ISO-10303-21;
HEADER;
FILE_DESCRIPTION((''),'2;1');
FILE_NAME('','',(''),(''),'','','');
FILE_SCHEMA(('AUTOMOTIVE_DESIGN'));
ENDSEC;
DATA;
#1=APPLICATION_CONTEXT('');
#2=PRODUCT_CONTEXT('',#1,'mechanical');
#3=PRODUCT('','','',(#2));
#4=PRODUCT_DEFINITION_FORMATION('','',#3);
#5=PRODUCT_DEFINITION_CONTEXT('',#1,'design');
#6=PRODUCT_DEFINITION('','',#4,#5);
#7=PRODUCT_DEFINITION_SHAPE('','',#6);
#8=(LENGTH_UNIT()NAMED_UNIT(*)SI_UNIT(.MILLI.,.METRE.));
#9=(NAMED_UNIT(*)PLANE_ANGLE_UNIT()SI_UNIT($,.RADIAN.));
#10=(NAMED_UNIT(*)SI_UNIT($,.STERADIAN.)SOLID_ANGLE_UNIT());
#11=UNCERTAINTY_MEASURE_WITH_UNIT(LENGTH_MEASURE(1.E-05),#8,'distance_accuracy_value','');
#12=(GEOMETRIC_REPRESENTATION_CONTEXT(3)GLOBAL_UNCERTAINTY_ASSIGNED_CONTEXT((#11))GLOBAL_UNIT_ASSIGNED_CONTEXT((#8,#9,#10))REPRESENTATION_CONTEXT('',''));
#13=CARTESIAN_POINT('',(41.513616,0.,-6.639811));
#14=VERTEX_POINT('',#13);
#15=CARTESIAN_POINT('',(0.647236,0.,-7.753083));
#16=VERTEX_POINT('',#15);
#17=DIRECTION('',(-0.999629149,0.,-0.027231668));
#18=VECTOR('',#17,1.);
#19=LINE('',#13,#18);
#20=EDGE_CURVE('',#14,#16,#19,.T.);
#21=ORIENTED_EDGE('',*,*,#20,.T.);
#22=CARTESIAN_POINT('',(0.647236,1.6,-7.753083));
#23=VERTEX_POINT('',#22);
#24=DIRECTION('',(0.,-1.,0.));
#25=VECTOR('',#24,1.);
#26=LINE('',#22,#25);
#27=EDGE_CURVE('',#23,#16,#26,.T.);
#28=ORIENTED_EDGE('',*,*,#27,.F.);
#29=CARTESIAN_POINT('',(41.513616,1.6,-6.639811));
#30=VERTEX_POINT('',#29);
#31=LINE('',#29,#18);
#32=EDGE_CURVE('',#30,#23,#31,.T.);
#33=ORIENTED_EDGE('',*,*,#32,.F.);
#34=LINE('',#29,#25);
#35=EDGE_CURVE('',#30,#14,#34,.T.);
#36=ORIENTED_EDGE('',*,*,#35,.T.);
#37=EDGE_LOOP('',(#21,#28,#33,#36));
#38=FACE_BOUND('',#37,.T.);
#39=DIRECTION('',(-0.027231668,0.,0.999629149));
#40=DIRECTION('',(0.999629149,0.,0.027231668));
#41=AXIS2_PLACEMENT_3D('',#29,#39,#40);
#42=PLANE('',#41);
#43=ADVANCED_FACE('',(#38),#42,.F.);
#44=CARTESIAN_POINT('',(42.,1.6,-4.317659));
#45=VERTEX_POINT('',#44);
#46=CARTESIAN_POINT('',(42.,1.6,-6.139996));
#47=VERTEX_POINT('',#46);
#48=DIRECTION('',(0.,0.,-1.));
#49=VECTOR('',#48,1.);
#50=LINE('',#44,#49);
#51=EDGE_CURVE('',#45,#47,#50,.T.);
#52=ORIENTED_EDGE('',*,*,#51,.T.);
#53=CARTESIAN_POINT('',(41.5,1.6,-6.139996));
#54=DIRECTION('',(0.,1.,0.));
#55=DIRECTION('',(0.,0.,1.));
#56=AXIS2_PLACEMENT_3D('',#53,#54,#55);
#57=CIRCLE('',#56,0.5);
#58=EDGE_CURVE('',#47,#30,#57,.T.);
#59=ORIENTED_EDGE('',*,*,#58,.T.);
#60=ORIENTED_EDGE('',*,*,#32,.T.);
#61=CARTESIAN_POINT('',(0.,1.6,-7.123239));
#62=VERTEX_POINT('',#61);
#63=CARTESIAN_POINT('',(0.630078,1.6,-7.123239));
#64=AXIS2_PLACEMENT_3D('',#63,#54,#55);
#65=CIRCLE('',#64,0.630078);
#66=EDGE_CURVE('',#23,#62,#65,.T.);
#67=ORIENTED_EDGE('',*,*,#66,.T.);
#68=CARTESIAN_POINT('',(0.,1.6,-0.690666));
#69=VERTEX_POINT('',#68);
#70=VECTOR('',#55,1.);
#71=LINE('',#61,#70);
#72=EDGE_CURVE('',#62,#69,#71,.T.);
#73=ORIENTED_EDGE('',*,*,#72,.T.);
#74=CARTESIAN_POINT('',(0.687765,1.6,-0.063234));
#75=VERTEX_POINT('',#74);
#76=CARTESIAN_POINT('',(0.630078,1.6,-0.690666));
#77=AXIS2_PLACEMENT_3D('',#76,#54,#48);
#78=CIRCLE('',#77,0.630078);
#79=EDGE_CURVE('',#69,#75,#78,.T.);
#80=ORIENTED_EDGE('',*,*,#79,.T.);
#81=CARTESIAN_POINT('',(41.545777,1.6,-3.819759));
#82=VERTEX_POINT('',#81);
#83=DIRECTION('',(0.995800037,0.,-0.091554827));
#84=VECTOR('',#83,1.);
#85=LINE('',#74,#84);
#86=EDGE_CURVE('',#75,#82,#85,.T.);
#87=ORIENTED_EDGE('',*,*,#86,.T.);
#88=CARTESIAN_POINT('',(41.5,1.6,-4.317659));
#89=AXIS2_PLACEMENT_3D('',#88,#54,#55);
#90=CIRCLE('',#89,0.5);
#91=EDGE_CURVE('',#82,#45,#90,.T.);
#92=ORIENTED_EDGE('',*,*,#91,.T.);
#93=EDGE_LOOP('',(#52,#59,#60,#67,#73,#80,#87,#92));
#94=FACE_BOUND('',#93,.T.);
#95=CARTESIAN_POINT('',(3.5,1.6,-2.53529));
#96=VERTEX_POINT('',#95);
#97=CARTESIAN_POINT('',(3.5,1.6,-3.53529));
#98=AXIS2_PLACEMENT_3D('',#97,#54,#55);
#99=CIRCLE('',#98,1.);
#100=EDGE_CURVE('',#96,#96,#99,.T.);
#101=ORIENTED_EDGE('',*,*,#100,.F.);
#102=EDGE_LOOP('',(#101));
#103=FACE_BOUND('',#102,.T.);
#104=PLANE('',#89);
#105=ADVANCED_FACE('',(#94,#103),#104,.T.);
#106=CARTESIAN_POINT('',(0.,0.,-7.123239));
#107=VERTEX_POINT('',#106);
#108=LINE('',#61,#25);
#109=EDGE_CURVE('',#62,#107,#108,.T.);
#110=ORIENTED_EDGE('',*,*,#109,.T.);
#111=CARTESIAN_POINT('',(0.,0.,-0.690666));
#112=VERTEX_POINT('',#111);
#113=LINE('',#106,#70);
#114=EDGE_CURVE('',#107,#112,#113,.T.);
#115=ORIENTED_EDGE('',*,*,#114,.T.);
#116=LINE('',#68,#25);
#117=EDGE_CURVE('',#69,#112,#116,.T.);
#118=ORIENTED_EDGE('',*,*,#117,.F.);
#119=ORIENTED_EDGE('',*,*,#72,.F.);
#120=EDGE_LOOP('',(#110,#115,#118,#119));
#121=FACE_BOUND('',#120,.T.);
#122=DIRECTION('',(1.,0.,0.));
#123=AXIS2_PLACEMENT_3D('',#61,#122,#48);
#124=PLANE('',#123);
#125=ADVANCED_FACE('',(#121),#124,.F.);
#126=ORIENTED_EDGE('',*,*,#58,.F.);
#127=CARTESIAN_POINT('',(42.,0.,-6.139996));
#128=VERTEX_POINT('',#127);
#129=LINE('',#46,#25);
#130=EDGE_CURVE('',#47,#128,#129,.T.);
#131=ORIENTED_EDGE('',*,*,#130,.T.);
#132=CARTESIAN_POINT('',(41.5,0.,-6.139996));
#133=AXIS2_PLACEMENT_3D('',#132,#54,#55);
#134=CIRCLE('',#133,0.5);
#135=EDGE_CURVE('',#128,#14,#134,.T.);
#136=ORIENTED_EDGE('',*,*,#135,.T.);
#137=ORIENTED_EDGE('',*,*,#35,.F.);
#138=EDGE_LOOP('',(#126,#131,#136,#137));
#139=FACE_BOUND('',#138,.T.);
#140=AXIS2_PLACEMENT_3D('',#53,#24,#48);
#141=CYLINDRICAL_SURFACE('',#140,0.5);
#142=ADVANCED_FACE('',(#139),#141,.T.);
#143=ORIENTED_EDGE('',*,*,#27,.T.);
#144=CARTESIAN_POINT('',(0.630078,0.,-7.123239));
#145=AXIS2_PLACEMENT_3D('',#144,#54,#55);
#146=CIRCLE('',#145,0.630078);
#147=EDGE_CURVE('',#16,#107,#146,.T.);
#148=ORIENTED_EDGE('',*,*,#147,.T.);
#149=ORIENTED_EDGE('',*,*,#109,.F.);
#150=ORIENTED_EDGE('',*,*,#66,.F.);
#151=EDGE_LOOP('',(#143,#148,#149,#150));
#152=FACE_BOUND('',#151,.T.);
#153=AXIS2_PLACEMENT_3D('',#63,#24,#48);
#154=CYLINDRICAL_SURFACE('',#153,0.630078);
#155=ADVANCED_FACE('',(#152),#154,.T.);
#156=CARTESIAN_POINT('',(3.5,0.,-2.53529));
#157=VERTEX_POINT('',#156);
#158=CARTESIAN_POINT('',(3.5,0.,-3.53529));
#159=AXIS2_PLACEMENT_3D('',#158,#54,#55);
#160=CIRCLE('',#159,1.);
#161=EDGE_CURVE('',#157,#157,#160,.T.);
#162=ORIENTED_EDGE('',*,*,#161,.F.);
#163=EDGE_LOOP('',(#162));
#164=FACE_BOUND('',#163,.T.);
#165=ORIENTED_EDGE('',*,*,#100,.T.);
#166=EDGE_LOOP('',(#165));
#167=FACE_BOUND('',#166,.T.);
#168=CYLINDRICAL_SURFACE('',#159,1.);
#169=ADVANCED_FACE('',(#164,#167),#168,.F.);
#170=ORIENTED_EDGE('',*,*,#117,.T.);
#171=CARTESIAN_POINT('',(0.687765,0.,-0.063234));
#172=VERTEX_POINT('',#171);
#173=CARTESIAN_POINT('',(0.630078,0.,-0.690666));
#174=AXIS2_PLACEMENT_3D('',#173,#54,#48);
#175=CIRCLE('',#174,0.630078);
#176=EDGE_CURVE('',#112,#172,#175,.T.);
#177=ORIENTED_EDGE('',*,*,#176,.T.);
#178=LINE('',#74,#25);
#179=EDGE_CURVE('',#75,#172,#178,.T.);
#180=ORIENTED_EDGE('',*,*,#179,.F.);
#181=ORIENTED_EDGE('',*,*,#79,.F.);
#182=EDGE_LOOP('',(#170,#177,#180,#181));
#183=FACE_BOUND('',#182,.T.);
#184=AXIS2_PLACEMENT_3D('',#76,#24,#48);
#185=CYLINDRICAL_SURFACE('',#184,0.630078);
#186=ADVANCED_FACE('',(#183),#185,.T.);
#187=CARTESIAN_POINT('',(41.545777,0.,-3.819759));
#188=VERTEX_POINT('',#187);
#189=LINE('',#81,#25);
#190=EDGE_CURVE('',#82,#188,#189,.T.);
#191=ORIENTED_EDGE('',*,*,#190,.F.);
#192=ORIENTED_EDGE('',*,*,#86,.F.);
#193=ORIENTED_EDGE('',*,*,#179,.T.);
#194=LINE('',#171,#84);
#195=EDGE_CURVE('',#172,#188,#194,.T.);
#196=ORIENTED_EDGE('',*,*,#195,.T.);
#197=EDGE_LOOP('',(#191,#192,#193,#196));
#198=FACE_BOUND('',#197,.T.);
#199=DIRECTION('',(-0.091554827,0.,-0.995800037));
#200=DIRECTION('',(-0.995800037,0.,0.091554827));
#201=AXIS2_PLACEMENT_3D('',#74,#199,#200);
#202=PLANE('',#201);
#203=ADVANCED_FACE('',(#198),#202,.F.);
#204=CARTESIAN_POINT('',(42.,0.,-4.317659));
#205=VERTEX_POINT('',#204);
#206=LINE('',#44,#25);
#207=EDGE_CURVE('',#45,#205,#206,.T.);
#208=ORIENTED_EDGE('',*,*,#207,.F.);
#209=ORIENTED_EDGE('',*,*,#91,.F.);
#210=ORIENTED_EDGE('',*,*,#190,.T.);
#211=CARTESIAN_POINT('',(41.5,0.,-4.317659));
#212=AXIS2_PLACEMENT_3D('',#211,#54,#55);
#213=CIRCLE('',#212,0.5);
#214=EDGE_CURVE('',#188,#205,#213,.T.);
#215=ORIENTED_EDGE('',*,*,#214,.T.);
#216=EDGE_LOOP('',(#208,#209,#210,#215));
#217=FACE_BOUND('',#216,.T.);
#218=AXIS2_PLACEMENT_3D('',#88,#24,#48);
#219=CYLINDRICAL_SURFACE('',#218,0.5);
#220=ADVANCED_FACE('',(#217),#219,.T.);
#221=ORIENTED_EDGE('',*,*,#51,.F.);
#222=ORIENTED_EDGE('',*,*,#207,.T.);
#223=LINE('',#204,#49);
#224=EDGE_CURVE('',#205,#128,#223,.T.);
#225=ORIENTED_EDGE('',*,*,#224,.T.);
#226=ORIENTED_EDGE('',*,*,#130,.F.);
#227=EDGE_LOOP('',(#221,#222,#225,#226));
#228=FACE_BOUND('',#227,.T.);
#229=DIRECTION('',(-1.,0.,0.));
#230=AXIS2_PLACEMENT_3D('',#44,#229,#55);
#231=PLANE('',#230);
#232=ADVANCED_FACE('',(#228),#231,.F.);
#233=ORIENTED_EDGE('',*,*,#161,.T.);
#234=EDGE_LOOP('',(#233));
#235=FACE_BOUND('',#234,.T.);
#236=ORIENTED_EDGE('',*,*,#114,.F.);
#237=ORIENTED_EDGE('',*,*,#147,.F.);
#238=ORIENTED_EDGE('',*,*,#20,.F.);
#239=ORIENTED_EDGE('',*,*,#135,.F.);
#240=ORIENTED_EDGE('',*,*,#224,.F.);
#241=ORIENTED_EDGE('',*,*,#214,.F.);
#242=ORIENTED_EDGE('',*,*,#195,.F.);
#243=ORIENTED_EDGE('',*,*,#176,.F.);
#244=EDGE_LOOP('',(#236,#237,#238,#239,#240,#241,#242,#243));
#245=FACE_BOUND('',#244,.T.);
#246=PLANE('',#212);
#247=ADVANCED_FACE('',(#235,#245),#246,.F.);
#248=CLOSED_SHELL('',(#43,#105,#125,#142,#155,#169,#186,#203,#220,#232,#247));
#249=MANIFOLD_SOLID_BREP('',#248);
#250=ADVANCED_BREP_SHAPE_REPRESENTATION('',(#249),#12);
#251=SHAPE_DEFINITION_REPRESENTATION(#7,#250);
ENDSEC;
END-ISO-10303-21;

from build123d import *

# Parameters (mm, degrees)
BOSS_EXTRUDE1_DEPTH = 1.6
SKETCH2_R           = 1
CUT_EXTRUDE1_DEPTH  = 43.739606023


with BuildPart() as part:
    # Sketch1 → Boss-Extrude1 (new body)
    with BuildSketch(Plane(origin=(0, 0, 0), x_dir=(1, 0, 0), z_dir=(0, 1, 0))):
        with BuildLine():
            Line((0.687764733, 0.063233761), (41.545777414, 3.819759331))
            ThreePointArc((41.545777414, 3.819759331), (41.869383748, 3.980679162), (42, 4.317659349))
            Line((42, 4.317659349), (42, 6.139996118))
            ThreePointArc((42, 6.139996118), (41.858334981, 6.488702357), (41.513615834, 6.639810692))
            Line((41.513615834, 6.639810692), (0.647236122, 7.753083238))
            ThreePointArc((0.647236122, 7.753083238), (0.190653754, 7.574796866), (0, 7.123238858))
            Line((0, 7.123238858), (0, 0.690665502))
            ThreePointArc((0, 0.690665502), (0.20543041, 0.225184322), (0.687764733, 0.063233761))
        make_face()
    extrude(amount=BOSS_EXTRUDE1_DEPTH)

    # Sketch2 → Cut-Extrude1 (cut, through all)
    with BuildSketch(Plane(origin=(0, 1.6, 0), x_dir=(1, 0, 0), z_dir=(0, 1, 0))):
        with Locations(Location((3.5, 3.535289983, 0), (0, 0, 270))):
            Circle(SKETCH2_R)
    extrude(amount=-CUT_EXTRUDE1_DEPTH, mode=Mode.SUBTRACT)


solid = part.part
